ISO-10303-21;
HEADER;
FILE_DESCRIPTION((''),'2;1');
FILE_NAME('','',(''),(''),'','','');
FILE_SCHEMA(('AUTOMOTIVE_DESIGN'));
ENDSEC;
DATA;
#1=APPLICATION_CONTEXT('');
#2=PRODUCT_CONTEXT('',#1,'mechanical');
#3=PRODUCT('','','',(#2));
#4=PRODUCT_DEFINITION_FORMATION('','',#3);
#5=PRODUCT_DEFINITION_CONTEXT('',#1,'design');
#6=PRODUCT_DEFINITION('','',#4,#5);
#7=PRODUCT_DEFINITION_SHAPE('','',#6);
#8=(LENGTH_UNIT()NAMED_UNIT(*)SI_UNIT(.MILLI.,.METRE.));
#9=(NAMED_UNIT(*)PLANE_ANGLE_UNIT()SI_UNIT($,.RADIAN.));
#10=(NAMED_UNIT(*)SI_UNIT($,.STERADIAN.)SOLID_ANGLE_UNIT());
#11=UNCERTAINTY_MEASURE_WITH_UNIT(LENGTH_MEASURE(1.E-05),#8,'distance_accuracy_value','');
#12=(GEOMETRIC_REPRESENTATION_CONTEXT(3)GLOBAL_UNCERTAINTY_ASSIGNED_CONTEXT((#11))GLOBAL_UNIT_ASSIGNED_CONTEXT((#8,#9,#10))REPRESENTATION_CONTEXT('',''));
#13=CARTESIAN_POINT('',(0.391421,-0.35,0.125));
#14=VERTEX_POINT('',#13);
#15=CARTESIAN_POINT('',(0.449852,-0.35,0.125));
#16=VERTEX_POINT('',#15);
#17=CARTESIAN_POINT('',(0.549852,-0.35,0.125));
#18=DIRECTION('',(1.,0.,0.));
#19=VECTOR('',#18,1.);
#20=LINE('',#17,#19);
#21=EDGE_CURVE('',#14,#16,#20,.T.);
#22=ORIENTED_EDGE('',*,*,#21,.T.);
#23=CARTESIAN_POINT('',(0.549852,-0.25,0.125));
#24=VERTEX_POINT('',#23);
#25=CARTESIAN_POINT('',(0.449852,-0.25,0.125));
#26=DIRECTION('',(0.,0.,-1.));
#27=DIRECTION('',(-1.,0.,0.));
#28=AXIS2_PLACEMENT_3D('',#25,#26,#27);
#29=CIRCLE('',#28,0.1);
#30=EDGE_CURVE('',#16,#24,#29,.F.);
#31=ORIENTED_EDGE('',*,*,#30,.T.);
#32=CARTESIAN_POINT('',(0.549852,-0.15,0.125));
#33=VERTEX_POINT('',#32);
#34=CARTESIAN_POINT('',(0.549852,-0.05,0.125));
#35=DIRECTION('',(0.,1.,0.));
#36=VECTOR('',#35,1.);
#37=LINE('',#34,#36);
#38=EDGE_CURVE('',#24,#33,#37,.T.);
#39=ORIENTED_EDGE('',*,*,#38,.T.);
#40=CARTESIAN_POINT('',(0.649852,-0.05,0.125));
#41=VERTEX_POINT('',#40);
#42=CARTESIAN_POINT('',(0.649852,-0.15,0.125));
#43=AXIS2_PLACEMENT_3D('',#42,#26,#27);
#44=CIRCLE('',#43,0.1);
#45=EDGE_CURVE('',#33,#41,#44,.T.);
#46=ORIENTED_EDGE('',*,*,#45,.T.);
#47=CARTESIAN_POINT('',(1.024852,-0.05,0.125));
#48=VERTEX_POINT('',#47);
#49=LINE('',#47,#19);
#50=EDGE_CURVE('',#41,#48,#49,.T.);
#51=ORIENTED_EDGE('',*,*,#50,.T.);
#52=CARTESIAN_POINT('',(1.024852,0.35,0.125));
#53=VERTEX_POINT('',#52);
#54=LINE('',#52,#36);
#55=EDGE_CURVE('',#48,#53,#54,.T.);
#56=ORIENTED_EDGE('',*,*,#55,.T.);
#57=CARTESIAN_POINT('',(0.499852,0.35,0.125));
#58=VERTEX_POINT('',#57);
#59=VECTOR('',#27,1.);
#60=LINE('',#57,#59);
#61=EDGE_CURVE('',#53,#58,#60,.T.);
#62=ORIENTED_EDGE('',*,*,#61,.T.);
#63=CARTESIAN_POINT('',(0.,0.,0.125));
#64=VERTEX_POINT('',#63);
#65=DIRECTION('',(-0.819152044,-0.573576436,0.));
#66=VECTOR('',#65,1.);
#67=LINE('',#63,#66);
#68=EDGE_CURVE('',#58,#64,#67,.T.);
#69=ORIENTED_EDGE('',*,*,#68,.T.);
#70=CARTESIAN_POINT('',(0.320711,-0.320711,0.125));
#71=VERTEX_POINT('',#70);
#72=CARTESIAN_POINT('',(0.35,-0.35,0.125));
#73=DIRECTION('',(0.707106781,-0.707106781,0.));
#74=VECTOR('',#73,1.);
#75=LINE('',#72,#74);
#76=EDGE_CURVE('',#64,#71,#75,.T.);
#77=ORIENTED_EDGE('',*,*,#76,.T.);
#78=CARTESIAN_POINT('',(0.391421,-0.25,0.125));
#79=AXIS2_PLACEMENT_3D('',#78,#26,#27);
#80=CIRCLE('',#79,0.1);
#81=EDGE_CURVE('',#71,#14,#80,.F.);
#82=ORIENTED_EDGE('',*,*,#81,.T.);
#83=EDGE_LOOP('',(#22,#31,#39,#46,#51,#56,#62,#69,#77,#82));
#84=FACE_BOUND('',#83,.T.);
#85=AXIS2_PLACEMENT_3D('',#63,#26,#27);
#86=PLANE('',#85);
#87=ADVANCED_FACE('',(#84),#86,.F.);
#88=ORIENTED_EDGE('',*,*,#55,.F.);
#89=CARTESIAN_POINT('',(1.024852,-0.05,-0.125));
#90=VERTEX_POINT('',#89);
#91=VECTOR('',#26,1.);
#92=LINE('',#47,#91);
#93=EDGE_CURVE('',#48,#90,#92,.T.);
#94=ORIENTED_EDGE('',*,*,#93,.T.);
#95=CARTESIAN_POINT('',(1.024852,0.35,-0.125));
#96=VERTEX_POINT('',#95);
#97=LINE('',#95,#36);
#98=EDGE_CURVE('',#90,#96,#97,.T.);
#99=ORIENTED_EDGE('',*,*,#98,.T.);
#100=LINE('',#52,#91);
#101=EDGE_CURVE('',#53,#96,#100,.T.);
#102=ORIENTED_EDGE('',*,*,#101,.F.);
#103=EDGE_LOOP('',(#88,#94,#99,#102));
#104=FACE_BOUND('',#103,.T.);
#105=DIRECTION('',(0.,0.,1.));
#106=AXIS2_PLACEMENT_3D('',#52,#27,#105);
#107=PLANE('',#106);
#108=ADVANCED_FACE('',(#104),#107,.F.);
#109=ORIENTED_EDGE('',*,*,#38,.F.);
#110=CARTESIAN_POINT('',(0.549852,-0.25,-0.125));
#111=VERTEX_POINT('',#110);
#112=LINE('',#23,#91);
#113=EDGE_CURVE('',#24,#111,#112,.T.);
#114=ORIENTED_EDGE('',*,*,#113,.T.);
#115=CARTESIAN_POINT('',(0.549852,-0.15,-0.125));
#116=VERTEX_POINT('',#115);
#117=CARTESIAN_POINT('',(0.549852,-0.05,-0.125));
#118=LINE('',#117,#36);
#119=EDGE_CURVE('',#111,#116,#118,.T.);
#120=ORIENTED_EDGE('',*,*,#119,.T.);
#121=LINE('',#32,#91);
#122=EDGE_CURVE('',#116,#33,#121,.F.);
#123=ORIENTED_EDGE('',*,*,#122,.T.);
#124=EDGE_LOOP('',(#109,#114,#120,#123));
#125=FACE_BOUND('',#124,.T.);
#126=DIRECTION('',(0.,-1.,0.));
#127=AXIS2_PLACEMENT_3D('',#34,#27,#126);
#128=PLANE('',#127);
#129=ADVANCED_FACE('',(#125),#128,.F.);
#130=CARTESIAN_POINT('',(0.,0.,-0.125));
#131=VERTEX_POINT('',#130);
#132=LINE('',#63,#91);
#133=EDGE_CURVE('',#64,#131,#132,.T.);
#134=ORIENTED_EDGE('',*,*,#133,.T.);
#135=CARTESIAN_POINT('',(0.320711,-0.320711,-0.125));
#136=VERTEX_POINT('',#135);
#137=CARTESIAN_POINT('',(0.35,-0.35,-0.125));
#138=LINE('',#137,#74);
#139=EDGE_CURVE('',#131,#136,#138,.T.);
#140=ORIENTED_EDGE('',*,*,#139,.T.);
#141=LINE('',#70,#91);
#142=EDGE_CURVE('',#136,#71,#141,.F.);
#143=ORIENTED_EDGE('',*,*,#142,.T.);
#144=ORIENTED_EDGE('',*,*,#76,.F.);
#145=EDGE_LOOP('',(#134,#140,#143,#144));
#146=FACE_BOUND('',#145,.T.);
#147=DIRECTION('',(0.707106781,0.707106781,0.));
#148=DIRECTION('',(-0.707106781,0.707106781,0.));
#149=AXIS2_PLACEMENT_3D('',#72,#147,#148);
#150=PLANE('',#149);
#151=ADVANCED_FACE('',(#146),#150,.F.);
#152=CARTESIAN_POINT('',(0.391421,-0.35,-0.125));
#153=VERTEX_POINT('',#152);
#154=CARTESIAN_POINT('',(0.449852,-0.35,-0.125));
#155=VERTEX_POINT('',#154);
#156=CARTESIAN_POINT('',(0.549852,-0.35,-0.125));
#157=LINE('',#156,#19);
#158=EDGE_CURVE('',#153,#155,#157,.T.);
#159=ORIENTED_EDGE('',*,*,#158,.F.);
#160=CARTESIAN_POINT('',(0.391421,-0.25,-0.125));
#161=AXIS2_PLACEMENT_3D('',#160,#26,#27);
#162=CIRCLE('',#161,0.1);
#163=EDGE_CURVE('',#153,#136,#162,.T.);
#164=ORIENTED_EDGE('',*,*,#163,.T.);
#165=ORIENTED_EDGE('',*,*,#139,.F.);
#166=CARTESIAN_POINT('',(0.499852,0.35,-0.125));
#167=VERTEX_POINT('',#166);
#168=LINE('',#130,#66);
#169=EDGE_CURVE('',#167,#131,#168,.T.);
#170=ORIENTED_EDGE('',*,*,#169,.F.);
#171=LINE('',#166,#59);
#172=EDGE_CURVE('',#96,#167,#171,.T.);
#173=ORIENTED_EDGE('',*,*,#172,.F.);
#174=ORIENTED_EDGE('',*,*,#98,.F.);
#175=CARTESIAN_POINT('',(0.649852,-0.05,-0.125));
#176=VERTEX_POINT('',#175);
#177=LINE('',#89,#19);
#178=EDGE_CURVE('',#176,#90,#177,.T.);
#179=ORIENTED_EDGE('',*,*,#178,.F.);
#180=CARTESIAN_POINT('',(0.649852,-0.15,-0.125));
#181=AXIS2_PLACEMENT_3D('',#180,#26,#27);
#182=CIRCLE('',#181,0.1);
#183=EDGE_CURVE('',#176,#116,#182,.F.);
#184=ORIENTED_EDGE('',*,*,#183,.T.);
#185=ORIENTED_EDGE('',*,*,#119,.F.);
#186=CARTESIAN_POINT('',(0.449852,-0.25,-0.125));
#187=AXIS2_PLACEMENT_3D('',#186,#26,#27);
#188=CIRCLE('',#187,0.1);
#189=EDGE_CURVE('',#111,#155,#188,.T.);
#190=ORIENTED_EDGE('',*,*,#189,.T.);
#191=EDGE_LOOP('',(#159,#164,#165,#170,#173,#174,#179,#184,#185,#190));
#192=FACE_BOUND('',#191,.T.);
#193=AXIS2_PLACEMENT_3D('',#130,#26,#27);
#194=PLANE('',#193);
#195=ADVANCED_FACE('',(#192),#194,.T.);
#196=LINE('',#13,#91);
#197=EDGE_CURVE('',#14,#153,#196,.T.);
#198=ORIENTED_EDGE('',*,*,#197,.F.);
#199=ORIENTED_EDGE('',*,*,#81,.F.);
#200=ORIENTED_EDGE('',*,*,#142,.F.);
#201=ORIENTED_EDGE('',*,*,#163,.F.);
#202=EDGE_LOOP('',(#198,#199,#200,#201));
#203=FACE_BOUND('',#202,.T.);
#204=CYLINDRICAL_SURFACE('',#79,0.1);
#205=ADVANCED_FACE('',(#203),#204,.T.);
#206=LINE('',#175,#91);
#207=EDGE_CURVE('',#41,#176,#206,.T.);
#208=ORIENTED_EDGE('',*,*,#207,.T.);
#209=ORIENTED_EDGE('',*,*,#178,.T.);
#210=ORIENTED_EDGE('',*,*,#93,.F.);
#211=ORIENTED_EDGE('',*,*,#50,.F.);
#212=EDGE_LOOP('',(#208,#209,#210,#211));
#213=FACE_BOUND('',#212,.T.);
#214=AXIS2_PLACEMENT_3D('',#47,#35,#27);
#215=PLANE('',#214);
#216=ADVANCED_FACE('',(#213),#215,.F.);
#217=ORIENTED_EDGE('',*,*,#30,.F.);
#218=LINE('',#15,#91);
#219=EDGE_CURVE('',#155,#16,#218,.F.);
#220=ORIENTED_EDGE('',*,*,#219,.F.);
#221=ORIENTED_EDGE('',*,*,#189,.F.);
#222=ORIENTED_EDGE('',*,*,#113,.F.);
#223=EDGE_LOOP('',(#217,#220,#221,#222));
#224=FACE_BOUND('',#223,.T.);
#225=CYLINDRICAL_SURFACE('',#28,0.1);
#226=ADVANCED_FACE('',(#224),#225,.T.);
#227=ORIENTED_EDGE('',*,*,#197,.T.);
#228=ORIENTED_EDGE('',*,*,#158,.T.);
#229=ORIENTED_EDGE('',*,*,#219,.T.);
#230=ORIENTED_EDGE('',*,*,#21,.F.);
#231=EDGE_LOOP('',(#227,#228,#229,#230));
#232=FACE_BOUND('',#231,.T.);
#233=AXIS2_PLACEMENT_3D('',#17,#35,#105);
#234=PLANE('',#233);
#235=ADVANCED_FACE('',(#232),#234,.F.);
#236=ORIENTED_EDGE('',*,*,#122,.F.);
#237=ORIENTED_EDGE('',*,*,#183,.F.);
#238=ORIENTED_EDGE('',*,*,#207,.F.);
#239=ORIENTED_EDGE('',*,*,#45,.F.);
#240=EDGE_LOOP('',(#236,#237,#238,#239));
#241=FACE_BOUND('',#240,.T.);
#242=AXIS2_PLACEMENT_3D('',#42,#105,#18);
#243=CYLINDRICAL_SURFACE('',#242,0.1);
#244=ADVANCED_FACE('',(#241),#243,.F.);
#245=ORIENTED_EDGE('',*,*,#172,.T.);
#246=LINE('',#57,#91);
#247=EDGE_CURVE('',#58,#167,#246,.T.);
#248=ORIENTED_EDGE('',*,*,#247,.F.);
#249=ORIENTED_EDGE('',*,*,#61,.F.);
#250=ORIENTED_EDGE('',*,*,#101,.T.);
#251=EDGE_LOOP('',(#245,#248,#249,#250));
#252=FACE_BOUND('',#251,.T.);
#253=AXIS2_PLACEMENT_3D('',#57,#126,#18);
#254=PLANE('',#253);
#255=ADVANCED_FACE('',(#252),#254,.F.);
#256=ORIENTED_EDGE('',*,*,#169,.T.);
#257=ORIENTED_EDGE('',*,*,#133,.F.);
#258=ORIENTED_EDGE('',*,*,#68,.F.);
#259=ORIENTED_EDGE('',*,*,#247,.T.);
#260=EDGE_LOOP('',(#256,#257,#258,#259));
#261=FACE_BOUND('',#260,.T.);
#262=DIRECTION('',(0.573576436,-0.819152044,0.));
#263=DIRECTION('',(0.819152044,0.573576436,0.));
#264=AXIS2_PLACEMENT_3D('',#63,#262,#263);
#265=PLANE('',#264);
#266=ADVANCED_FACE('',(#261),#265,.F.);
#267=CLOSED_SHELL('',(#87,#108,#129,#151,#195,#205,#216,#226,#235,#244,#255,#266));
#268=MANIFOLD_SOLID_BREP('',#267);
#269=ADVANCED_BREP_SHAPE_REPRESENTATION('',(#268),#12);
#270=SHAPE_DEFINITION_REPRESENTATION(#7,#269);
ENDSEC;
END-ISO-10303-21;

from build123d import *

# Parameters (mm, degrees)
BOSS_EXTRUDE1_DEPTH = 0.125
FILLET1_R           = 0.1


with BuildPart() as part:
    # frame_outline → Boss-Extrude1 (new, symmetric)
    with BuildSketch(Plane.XY):
        Polygon((0, 0), (0.499851802, 0.35), (1.024851802, 0.35), (1.024851802, -0.05), (0.549851802, -0.05), (0.549851802, -0.35), (0.35, -0.35), align=None)
    extrude(amount=BOSS_EXTRUDE1_DEPTH, both=True)

    # Fillet1
    fillet1_edges = [part.edges().sort_by_distance(p)[0] for p in [
        (0.549851802, -0.05, 0),
        (0.549851802, -0.35, 0),
        (0.35, -0.35, 0),
    ]]
    fillet(fillet1_edges, radius=FILLET1_R)


solid = part.part
